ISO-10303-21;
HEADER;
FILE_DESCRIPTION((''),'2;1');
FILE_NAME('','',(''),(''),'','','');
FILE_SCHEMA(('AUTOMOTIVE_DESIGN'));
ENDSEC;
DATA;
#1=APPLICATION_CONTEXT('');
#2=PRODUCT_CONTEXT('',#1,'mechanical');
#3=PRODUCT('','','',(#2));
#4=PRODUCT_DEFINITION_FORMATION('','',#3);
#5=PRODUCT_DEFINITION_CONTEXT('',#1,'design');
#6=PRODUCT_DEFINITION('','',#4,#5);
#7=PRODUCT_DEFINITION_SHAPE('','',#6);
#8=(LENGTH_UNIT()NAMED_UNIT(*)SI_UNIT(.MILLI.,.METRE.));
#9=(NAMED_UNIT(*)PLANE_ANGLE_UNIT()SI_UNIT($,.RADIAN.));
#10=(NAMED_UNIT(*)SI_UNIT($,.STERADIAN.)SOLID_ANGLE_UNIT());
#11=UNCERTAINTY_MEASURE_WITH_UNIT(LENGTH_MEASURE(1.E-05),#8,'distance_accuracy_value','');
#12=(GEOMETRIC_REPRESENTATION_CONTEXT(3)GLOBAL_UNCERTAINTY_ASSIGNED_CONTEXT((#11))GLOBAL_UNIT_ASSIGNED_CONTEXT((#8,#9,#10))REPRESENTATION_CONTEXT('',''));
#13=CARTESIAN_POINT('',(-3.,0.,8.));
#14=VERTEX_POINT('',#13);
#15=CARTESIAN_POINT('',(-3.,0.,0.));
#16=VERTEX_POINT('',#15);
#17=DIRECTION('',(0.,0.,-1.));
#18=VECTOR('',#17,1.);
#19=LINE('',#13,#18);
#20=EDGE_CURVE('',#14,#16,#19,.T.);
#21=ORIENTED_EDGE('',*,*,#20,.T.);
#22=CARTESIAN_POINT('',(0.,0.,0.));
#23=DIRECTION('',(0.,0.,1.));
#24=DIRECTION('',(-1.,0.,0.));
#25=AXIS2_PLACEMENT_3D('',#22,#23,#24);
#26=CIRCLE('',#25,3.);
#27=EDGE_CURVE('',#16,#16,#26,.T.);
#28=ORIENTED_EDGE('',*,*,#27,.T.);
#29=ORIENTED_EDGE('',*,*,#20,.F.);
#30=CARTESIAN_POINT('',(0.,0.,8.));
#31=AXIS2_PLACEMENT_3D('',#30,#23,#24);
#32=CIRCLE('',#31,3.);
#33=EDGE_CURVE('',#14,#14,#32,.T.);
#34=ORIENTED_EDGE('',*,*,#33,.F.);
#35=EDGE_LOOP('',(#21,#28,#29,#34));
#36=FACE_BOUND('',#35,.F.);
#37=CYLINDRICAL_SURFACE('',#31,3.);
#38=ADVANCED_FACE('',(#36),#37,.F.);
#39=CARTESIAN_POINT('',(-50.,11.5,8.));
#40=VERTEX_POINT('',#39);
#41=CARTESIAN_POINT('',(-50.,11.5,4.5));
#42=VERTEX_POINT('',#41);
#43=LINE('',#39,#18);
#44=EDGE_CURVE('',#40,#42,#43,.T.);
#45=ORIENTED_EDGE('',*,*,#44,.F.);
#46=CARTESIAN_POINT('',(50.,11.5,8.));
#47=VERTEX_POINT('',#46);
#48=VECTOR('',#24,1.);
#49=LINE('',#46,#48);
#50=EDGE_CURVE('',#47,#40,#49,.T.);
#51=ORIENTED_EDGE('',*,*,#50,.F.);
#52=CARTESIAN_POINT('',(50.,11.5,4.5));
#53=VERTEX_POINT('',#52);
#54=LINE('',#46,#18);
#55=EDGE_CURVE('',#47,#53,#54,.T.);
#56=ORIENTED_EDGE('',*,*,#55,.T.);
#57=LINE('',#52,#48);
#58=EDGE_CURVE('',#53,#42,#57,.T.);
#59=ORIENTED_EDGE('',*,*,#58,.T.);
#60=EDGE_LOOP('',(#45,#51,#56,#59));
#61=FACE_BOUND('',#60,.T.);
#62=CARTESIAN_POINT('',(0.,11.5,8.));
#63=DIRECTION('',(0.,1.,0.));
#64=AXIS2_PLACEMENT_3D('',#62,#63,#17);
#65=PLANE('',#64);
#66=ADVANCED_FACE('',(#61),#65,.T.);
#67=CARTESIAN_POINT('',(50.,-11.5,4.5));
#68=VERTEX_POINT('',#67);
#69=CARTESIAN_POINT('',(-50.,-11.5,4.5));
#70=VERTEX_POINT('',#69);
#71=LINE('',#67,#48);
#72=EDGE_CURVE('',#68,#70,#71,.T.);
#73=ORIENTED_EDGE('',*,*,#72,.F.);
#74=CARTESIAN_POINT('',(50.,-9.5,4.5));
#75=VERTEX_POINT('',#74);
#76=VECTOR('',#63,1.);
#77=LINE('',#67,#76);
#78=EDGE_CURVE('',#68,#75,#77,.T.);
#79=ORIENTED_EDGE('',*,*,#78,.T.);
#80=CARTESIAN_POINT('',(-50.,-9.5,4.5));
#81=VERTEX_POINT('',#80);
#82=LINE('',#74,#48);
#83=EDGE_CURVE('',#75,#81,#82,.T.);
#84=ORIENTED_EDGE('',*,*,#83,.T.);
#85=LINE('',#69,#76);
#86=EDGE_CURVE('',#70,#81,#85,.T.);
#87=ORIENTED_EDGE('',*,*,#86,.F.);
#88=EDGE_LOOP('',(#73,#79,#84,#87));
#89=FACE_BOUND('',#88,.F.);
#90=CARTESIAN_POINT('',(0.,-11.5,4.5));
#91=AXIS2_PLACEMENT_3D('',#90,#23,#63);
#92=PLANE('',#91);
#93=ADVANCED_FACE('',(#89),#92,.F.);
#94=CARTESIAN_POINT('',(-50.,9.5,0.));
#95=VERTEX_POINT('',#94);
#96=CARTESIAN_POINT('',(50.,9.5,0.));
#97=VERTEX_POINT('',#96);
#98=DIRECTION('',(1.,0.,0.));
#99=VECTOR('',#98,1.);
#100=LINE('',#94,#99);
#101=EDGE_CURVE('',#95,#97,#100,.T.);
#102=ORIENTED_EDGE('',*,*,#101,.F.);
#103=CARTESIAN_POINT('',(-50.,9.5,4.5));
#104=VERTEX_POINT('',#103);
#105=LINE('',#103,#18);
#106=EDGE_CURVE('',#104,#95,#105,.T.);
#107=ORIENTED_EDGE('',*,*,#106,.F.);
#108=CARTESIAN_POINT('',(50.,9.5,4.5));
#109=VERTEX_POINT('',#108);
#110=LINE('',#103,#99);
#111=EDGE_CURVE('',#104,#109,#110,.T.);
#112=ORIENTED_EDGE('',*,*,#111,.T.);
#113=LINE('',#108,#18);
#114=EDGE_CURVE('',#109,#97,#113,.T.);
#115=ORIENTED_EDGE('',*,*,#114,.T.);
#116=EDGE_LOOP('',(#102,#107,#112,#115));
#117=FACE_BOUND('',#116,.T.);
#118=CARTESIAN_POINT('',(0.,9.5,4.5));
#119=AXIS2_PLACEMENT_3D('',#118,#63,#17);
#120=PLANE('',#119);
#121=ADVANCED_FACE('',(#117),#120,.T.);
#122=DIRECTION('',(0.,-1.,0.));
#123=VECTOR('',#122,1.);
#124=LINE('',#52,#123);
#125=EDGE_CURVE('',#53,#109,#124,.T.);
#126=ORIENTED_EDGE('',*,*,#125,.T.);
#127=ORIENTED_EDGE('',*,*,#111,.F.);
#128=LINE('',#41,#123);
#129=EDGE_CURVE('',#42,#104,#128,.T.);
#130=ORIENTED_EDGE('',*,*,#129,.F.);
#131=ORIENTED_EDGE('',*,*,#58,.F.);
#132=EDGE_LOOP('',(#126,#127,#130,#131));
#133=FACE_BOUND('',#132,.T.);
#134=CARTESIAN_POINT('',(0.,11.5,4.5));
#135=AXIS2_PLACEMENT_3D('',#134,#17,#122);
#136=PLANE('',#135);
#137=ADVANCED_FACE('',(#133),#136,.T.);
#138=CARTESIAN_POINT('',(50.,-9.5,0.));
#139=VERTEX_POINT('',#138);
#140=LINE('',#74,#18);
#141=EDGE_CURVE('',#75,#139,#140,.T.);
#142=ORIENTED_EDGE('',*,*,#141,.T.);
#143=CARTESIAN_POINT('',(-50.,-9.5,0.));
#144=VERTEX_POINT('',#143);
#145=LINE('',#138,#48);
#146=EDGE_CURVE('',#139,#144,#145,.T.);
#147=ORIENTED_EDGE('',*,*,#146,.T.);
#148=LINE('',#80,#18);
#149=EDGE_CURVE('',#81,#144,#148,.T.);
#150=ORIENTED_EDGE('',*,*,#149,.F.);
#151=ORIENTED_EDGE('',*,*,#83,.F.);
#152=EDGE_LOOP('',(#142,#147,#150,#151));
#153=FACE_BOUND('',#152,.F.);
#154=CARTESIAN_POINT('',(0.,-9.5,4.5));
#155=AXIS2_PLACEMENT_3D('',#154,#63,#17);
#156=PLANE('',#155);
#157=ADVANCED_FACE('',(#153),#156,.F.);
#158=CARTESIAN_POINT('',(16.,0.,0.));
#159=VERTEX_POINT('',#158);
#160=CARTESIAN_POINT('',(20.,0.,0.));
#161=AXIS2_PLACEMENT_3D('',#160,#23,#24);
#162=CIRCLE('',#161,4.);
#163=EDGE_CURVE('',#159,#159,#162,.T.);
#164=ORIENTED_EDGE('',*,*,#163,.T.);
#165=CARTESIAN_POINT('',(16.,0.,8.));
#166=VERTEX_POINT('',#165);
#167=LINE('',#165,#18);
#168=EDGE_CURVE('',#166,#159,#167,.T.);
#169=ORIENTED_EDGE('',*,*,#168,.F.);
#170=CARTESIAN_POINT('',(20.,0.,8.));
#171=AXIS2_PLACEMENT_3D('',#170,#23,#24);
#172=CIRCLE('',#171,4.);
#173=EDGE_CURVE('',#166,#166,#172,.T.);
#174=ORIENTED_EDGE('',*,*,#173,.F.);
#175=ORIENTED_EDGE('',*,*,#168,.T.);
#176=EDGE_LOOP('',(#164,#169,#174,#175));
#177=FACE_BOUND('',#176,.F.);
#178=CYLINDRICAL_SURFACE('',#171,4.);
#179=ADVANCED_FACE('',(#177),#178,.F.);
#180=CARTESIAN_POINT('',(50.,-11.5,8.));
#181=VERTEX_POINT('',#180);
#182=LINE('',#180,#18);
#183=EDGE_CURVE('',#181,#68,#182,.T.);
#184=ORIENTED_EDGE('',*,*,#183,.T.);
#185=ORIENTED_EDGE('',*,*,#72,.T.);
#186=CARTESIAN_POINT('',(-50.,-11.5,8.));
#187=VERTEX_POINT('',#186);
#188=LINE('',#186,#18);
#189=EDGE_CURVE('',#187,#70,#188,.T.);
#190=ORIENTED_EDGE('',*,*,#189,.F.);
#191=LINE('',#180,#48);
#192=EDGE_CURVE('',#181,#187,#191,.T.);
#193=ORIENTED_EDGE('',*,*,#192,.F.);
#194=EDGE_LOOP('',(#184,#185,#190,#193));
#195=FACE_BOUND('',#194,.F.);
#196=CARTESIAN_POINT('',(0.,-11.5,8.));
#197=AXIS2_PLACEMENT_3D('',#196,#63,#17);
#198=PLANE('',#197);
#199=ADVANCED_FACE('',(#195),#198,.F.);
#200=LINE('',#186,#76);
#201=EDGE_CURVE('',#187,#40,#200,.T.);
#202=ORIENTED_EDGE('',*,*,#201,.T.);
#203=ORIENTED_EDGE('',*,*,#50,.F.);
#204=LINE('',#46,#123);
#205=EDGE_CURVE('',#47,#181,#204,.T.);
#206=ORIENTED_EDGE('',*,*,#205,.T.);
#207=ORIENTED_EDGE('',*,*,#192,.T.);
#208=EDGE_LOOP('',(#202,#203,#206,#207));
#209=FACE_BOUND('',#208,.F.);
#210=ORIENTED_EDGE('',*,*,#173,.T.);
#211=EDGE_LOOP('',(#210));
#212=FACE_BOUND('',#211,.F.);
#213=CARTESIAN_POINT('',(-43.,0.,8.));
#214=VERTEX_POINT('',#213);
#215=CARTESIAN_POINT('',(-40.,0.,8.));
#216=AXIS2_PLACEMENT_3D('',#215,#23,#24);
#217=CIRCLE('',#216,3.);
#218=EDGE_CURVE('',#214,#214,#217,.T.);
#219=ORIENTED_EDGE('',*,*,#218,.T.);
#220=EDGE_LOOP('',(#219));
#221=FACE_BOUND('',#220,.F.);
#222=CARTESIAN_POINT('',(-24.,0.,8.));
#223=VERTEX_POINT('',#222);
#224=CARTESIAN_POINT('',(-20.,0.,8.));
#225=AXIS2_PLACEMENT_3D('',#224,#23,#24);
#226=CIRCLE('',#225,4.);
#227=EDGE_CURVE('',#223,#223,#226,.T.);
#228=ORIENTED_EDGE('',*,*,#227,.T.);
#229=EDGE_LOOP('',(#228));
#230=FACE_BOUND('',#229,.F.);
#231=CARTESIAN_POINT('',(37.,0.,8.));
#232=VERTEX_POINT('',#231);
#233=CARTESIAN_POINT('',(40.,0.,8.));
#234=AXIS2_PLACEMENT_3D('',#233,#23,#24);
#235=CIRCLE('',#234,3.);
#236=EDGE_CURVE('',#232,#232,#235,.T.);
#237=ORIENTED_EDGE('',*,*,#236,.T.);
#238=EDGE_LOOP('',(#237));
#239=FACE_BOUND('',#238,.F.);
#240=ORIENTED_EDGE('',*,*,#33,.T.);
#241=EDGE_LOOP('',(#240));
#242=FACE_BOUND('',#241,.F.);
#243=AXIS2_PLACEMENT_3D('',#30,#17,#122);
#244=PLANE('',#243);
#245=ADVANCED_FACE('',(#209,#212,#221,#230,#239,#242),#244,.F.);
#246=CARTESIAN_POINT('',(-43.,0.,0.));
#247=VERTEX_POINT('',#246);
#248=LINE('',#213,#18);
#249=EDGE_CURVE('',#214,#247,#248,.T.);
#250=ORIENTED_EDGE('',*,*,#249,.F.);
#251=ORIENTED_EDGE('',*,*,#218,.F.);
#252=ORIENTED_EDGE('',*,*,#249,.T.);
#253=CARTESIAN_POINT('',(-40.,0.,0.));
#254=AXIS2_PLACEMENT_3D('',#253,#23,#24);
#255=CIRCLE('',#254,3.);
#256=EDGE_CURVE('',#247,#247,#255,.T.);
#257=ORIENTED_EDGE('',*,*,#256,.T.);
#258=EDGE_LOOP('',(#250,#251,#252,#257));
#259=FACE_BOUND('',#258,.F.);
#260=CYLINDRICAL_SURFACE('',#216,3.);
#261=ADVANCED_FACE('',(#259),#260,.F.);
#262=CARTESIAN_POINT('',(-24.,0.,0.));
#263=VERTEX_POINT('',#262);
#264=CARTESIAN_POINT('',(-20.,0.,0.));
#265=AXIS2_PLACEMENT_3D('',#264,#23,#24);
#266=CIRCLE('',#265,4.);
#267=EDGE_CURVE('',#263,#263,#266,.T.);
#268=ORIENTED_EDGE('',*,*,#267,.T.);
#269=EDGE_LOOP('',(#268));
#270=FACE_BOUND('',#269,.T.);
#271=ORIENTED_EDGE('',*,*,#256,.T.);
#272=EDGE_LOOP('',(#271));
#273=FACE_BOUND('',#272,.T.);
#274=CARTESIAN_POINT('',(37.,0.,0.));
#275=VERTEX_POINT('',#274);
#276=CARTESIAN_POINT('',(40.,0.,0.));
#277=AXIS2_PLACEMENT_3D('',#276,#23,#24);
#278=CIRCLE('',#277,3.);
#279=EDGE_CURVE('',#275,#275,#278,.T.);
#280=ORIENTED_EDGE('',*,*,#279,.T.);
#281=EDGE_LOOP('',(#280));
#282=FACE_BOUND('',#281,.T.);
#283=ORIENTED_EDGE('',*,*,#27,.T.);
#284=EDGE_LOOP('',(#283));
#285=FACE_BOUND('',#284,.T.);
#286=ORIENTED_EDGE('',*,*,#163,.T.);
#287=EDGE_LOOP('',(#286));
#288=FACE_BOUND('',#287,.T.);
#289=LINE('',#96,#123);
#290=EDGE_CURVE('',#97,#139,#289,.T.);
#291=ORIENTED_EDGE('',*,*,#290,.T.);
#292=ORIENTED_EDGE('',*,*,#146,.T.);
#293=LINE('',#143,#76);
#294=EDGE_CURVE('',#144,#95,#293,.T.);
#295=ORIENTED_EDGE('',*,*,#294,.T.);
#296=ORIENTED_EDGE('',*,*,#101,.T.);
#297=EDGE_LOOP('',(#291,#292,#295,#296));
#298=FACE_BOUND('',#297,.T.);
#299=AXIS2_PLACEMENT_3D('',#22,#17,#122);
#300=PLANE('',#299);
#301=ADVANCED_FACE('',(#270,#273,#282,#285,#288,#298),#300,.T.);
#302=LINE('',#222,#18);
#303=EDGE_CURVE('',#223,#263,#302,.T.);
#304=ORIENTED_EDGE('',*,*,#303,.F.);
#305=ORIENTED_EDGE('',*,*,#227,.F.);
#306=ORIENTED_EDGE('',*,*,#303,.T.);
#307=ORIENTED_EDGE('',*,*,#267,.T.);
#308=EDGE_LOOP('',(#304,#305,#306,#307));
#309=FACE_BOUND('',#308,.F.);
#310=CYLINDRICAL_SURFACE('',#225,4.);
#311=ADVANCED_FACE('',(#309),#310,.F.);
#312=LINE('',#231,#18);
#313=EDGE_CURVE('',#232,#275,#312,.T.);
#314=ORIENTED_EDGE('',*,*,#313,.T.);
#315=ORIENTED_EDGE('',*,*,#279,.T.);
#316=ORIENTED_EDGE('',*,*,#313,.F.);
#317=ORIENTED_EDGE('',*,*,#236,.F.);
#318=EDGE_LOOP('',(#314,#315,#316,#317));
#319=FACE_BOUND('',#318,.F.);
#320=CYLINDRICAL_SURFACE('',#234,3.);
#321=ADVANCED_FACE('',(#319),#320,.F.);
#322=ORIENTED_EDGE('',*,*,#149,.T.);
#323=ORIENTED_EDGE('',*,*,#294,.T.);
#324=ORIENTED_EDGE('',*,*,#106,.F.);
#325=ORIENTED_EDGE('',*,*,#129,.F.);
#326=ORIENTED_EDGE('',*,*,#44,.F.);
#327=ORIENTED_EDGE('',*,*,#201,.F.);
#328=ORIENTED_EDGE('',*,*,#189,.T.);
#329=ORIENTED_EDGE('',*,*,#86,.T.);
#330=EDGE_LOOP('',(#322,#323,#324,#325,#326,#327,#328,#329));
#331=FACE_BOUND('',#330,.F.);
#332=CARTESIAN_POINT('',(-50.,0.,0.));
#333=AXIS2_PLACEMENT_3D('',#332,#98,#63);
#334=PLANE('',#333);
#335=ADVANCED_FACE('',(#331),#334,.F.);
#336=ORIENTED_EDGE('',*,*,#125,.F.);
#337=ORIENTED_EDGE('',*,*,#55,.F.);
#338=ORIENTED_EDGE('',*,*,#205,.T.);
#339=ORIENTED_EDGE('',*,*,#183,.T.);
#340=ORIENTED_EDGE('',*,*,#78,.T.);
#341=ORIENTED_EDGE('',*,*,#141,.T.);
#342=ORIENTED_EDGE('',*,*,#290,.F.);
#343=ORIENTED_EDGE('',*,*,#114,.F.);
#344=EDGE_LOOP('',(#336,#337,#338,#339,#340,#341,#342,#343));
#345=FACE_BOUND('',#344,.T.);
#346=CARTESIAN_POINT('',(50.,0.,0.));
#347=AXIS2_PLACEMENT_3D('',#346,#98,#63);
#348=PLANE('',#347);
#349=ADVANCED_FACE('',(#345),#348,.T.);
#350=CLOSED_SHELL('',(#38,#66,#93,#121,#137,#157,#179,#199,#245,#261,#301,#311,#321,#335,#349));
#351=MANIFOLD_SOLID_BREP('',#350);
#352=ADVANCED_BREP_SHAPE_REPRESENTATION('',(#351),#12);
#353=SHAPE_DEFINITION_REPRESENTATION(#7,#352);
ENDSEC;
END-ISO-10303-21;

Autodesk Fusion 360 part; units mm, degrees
sketch "Sketch1" plane through (0, 0, 0) normal (1, 0, 0) x (0, 1, 0)
  line L0 (0, 0) -> (9.5, 0)
  line L1 (0, 0) -> (0, 8) construction
  line L2 (0, 8) -> (11.5, 8)
  line L3 (11.5, 8) -> (11.5, 4.5)
  line L4 (11.5, 4.5) -> (9.5, 4.5)
  line L5 (9.5, 4.5) -> (9.5, 0)
  line L6 (-9.5, 4.5) -> (-9.5, 0)
  line L7 (-11.5, 8) -> (-11.5, 4.5)
  line L8 (0, 0) -> (-9.5, 0)
  line L9 (0, 8) -> (-11.5, 8)
  line L10 (-11.5, 4.5) -> (-9.5, 4.5)
  dimension "d1" = 9.5
  dimension "d2" = 8
  dimension "d3" = 11.5
  dimension "d4" = 3.5
extrude "Extrude1" add sketch "Sketch1" along normal mid plane 100
sketch "Sketch2" plane through (0, 0, 8) normal (0, 0, 1) x (-1, 0, 0)
  line L0 (50, 11.5) -> (-50, 11.5)
  line L1 (-50, 11.5) -> (-50, -11.5)
  line L2 (-50, -11.5) -> (50, -11.5)
  line L3 (50, -11.5) -> (50, 11.5)
  line L4 (50, 0) -> (40, 0) construction
  circle A0 centre (40, 0) radius 3
  line L5 (40, 0) -> (20, 0) construction
  circle A1 centre (20, 0) radius 4
  dimension "d11" = 10
  dimension "d12" = 6
  dimension "d13" = 20
  dimension "d14" = 8
extrude "Extrude2" cut sketch "Sketch2" against normal up to surface (8 mm away) contours A0 | A1
pattern_linear "R-Pattern1" count 5 spacing 40 along (1, 0, 0) of "Extrude2"
equation "d1 = ( 19 / 2 ) * 1 mm"
equation "d3 = ( 23 / 2 ) * 1 mm"
equation "Alu_M6_M8_T_track_length_slider = 100 mm"
equation "d6 = Alu_M6_M8_T_track_length_slider / 2"
